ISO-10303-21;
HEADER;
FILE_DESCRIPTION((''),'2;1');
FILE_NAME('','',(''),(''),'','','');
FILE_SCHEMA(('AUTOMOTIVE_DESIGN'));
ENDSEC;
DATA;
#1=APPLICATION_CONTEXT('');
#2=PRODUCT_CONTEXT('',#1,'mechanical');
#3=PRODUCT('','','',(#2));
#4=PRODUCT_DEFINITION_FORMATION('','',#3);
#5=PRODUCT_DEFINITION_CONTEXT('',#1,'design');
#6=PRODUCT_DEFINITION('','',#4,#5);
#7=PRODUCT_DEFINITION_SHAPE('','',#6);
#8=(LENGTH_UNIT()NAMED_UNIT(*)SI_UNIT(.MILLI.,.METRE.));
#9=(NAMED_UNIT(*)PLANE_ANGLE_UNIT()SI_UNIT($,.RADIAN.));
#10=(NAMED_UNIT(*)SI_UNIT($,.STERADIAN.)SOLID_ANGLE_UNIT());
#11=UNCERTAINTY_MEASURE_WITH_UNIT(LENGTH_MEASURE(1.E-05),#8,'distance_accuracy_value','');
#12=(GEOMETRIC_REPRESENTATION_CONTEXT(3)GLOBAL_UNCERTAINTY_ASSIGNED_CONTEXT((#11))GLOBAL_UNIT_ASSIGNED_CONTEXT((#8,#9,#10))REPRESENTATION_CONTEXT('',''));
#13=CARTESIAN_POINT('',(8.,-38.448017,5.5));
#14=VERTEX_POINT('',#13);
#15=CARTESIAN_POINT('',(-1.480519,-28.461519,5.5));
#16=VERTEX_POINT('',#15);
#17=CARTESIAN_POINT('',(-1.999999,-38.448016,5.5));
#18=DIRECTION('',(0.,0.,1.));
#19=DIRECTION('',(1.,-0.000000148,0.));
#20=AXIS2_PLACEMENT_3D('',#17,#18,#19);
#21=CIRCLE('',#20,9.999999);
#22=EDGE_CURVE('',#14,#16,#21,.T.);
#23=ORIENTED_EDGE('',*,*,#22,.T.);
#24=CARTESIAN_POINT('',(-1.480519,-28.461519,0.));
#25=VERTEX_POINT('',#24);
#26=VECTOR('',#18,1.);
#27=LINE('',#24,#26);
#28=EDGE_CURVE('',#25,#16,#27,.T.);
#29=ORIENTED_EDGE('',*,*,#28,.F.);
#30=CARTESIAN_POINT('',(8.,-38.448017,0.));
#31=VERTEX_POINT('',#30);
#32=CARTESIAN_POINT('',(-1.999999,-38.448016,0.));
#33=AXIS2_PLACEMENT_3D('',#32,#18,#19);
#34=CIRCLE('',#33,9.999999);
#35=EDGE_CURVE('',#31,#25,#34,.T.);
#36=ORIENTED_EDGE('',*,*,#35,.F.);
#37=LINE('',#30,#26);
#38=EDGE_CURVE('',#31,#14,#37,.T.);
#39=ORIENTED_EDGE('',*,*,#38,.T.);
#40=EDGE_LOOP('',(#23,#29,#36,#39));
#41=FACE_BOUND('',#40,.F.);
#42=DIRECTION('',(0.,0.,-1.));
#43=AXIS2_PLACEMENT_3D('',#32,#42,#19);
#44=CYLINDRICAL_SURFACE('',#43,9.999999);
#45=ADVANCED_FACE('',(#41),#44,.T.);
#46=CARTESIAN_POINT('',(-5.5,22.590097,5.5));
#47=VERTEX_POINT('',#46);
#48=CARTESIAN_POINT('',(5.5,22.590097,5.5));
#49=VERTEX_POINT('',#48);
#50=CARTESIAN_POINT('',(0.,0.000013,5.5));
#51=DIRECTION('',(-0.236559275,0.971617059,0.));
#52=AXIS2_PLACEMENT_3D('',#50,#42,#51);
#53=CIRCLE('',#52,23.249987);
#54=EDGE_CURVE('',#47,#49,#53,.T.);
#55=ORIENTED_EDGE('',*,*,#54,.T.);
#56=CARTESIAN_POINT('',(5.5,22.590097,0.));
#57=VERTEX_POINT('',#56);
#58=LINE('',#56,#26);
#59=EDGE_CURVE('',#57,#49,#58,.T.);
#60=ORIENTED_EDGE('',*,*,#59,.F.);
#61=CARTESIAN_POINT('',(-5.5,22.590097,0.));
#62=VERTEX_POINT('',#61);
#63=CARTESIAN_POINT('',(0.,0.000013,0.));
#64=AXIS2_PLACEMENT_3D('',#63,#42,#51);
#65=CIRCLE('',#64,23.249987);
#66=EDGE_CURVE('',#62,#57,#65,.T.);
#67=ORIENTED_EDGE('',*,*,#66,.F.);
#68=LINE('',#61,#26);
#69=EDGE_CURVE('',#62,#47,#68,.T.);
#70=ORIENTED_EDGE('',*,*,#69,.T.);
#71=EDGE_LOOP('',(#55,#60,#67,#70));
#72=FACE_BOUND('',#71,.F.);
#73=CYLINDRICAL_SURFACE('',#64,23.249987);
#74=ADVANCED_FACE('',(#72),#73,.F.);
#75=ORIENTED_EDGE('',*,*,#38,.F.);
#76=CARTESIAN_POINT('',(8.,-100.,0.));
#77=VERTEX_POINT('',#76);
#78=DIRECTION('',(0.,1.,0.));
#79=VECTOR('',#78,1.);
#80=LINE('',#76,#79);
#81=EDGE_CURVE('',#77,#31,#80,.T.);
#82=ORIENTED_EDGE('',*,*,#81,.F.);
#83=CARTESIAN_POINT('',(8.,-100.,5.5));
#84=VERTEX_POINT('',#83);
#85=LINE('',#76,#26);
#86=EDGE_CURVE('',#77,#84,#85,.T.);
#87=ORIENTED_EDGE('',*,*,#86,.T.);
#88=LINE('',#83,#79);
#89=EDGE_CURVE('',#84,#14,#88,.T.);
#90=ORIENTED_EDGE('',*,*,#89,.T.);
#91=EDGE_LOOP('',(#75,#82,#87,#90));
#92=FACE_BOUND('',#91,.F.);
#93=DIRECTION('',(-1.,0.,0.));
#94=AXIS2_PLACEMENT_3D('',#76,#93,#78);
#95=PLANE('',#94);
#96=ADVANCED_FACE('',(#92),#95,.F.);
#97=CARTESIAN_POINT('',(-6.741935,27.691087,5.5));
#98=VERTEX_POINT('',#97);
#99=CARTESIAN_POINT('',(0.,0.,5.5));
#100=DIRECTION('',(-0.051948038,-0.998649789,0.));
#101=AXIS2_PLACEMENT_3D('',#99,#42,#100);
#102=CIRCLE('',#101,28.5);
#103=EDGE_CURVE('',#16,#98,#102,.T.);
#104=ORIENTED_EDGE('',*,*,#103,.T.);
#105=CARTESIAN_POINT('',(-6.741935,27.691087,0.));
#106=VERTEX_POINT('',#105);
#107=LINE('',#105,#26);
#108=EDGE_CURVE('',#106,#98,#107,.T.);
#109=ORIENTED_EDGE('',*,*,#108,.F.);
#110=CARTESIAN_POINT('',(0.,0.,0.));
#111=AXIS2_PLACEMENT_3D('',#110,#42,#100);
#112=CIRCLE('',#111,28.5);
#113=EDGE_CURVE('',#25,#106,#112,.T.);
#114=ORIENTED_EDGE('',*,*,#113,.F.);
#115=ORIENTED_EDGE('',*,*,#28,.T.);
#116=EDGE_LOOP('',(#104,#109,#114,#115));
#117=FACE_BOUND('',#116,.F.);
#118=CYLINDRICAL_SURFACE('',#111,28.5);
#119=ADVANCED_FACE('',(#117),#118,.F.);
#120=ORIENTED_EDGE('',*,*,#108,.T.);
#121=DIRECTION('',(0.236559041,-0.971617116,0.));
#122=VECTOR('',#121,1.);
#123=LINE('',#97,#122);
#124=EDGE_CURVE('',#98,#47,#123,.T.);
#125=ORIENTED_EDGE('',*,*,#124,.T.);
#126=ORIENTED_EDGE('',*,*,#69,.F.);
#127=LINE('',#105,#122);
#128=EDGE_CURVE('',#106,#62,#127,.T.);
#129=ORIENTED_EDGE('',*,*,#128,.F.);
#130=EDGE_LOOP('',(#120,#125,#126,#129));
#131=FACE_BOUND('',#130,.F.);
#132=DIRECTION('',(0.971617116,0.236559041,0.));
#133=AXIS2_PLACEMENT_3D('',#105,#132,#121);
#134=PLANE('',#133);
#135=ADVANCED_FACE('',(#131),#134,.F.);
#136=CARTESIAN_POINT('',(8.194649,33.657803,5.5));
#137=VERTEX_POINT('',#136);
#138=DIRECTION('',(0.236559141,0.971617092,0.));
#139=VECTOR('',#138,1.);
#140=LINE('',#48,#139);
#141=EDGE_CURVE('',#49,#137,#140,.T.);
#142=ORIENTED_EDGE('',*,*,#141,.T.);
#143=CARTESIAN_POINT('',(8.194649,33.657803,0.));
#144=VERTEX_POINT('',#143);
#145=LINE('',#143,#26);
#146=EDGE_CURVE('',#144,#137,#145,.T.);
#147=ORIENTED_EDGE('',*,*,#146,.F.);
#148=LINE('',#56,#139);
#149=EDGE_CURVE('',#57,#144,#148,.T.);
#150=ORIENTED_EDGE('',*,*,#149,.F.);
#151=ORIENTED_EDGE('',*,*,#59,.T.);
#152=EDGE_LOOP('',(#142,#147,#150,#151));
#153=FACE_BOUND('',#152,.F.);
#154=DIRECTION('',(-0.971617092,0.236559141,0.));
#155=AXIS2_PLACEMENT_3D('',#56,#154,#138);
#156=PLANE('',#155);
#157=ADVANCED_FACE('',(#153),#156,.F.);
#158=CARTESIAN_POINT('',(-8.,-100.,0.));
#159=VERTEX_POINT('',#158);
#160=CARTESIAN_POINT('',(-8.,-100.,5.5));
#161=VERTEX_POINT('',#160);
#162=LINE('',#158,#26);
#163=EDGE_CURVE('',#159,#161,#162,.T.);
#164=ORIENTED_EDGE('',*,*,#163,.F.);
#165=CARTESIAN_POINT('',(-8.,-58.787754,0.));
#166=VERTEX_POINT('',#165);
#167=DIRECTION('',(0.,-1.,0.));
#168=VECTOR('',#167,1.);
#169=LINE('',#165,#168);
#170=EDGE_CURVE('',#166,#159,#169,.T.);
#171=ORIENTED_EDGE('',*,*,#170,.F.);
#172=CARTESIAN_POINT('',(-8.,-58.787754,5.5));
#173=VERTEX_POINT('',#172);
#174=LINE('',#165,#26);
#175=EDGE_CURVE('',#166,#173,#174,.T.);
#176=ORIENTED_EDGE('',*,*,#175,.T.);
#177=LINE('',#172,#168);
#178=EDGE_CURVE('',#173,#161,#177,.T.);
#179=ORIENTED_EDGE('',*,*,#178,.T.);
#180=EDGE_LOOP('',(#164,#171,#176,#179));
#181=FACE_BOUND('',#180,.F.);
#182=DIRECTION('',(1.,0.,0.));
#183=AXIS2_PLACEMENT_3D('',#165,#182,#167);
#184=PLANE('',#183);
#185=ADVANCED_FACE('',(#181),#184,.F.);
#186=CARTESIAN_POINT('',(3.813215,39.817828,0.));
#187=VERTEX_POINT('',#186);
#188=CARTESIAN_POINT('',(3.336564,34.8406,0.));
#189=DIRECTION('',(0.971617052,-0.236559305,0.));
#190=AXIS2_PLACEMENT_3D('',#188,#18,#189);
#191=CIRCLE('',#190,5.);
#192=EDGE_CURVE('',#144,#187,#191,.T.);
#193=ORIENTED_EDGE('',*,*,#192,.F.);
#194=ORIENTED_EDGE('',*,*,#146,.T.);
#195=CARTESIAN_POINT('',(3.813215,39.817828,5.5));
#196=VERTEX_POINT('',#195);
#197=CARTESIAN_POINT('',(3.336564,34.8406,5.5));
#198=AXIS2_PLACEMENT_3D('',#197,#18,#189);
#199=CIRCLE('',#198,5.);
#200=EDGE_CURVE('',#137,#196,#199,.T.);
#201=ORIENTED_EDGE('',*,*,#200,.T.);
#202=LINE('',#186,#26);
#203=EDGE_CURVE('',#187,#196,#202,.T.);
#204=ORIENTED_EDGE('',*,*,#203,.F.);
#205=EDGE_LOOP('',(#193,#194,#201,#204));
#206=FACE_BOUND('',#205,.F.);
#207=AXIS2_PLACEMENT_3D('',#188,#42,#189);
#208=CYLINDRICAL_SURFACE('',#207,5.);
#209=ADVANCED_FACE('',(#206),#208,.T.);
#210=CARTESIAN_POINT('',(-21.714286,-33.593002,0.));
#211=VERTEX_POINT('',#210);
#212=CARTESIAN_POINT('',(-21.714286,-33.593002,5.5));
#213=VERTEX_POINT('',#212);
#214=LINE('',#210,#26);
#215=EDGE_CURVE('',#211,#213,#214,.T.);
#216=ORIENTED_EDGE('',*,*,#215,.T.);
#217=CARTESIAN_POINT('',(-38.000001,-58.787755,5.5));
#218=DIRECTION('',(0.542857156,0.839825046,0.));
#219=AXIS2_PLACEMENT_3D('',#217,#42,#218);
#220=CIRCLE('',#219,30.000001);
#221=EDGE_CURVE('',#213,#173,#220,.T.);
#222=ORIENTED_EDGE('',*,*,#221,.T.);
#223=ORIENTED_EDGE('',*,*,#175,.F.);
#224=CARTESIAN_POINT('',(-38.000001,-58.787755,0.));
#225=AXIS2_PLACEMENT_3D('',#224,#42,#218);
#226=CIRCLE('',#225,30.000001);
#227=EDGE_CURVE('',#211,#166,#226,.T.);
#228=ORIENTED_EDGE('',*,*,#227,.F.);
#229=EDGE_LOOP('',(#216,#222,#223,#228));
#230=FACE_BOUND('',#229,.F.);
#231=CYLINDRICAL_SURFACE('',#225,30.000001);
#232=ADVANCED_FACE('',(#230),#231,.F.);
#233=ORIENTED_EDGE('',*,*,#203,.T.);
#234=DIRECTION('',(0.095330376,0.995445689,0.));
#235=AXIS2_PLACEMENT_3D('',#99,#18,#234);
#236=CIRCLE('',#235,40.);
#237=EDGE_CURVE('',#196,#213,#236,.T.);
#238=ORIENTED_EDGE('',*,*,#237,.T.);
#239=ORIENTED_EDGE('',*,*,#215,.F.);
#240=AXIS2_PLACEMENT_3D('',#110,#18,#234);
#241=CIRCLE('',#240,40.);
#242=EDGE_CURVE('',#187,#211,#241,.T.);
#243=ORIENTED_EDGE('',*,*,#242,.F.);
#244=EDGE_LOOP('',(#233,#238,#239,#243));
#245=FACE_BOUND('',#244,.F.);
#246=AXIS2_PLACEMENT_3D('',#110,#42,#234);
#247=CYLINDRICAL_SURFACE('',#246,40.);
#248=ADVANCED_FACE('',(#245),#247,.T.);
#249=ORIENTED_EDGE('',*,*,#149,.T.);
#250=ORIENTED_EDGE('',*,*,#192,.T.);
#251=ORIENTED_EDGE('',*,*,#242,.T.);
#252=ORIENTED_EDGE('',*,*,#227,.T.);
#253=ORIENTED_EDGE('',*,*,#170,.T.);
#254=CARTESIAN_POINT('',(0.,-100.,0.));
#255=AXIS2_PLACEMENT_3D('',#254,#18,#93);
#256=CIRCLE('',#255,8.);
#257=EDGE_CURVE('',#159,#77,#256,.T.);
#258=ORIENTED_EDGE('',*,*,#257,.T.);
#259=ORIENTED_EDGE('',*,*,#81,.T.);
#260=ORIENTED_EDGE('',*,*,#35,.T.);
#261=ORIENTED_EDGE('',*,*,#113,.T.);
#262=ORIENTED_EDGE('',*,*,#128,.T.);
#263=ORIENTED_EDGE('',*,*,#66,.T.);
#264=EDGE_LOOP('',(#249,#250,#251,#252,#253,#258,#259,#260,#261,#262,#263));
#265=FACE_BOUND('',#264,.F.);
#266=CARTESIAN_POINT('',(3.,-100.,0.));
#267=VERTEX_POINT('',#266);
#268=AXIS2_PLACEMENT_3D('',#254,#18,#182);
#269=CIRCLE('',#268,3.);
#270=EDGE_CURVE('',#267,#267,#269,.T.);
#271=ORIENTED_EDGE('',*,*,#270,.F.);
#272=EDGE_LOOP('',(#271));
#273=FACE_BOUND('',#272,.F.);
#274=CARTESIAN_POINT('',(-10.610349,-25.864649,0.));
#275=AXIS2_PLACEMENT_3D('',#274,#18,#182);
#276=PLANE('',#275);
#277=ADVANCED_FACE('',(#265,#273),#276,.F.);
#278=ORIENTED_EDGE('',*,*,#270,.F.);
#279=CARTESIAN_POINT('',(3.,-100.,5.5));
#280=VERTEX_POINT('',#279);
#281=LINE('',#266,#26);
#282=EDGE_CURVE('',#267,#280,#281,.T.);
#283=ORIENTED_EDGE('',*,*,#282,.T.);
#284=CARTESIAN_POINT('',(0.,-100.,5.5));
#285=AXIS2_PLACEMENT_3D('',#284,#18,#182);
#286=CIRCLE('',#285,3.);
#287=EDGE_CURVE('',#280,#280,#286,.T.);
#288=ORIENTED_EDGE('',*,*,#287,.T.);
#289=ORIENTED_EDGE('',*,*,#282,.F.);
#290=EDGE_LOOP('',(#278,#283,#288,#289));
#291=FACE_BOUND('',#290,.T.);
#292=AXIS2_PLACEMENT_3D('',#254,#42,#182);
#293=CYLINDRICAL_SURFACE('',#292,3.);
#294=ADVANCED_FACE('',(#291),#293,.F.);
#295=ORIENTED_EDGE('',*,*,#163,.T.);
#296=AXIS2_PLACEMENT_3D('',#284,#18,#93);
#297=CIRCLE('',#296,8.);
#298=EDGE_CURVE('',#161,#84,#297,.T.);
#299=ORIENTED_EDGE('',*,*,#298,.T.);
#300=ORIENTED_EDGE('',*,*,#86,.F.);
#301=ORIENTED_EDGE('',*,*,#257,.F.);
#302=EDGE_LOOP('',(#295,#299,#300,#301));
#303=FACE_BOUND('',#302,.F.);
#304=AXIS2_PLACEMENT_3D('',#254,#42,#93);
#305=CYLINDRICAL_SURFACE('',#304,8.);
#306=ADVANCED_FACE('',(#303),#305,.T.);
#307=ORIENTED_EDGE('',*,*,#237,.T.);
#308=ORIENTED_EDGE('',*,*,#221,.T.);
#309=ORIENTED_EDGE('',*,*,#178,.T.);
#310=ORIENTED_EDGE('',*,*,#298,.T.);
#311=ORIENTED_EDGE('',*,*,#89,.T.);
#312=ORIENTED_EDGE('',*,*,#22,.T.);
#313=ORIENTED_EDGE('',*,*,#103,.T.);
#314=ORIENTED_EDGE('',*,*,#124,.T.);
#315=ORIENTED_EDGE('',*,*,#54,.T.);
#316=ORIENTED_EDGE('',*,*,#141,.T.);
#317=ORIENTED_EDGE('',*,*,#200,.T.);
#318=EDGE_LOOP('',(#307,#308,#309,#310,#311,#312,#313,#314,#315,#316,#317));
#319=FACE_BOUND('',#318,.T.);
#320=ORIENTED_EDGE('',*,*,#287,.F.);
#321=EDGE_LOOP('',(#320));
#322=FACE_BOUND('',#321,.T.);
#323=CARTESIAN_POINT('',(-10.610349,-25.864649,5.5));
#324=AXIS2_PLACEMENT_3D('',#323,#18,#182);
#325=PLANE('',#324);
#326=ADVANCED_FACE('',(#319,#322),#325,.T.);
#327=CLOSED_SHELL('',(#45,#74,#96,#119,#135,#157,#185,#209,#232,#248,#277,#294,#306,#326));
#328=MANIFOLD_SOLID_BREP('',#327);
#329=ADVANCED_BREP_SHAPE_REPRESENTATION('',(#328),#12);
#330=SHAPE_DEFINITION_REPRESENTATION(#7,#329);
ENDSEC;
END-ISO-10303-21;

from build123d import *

# Parameters (mm, degrees)
F0_R     = 3
F1_DEPTH = 5.5


with BuildPart() as f1:
    # F0 (on Top) → F1 (new body)
    with BuildSketch(Plane.XY):
        with BuildLine():
            Line((-8, -58.787754), (-8, -100))
            ThreePointArc((-8, -100), (0, -108), (8, -100))
            Line((8, -100), (8, -38.448017))
            ThreePointArc((8, -38.448017), (5.252407, -31.563062), (-1.480519, -28.461519))
            ThreePointArc((-1.480519, -28.461519), (-28.375711, -2.658762), (-6.741935, 27.691087))
            Line((-6.741935, 27.691087), (-5.5, 22.590097))
            ThreePointArc((-5.5, 22.590097), (0, 23.25), (5.5, 22.590097))
            Line((5.5, 22.590097), (8.194649, 33.657803))
            ThreePointArc((8.194649, 33.657803), (7.411037, 37.738645), (3.813215, 39.817828))
            ThreePointArc((3.813215, 39.817828), (-37.780942, 13.137749), (-21.714286, -33.593002))
            ThreePointArc((-21.714286, -33.593002), (-11.650698, -44.445011), (-8, -58.787754))
        make_face()
        with Locations((0, -100)):
            Circle(F0_R, mode=Mode.SUBTRACT)
    extrude(amount=F1_DEPTH)


solid = f1.part
